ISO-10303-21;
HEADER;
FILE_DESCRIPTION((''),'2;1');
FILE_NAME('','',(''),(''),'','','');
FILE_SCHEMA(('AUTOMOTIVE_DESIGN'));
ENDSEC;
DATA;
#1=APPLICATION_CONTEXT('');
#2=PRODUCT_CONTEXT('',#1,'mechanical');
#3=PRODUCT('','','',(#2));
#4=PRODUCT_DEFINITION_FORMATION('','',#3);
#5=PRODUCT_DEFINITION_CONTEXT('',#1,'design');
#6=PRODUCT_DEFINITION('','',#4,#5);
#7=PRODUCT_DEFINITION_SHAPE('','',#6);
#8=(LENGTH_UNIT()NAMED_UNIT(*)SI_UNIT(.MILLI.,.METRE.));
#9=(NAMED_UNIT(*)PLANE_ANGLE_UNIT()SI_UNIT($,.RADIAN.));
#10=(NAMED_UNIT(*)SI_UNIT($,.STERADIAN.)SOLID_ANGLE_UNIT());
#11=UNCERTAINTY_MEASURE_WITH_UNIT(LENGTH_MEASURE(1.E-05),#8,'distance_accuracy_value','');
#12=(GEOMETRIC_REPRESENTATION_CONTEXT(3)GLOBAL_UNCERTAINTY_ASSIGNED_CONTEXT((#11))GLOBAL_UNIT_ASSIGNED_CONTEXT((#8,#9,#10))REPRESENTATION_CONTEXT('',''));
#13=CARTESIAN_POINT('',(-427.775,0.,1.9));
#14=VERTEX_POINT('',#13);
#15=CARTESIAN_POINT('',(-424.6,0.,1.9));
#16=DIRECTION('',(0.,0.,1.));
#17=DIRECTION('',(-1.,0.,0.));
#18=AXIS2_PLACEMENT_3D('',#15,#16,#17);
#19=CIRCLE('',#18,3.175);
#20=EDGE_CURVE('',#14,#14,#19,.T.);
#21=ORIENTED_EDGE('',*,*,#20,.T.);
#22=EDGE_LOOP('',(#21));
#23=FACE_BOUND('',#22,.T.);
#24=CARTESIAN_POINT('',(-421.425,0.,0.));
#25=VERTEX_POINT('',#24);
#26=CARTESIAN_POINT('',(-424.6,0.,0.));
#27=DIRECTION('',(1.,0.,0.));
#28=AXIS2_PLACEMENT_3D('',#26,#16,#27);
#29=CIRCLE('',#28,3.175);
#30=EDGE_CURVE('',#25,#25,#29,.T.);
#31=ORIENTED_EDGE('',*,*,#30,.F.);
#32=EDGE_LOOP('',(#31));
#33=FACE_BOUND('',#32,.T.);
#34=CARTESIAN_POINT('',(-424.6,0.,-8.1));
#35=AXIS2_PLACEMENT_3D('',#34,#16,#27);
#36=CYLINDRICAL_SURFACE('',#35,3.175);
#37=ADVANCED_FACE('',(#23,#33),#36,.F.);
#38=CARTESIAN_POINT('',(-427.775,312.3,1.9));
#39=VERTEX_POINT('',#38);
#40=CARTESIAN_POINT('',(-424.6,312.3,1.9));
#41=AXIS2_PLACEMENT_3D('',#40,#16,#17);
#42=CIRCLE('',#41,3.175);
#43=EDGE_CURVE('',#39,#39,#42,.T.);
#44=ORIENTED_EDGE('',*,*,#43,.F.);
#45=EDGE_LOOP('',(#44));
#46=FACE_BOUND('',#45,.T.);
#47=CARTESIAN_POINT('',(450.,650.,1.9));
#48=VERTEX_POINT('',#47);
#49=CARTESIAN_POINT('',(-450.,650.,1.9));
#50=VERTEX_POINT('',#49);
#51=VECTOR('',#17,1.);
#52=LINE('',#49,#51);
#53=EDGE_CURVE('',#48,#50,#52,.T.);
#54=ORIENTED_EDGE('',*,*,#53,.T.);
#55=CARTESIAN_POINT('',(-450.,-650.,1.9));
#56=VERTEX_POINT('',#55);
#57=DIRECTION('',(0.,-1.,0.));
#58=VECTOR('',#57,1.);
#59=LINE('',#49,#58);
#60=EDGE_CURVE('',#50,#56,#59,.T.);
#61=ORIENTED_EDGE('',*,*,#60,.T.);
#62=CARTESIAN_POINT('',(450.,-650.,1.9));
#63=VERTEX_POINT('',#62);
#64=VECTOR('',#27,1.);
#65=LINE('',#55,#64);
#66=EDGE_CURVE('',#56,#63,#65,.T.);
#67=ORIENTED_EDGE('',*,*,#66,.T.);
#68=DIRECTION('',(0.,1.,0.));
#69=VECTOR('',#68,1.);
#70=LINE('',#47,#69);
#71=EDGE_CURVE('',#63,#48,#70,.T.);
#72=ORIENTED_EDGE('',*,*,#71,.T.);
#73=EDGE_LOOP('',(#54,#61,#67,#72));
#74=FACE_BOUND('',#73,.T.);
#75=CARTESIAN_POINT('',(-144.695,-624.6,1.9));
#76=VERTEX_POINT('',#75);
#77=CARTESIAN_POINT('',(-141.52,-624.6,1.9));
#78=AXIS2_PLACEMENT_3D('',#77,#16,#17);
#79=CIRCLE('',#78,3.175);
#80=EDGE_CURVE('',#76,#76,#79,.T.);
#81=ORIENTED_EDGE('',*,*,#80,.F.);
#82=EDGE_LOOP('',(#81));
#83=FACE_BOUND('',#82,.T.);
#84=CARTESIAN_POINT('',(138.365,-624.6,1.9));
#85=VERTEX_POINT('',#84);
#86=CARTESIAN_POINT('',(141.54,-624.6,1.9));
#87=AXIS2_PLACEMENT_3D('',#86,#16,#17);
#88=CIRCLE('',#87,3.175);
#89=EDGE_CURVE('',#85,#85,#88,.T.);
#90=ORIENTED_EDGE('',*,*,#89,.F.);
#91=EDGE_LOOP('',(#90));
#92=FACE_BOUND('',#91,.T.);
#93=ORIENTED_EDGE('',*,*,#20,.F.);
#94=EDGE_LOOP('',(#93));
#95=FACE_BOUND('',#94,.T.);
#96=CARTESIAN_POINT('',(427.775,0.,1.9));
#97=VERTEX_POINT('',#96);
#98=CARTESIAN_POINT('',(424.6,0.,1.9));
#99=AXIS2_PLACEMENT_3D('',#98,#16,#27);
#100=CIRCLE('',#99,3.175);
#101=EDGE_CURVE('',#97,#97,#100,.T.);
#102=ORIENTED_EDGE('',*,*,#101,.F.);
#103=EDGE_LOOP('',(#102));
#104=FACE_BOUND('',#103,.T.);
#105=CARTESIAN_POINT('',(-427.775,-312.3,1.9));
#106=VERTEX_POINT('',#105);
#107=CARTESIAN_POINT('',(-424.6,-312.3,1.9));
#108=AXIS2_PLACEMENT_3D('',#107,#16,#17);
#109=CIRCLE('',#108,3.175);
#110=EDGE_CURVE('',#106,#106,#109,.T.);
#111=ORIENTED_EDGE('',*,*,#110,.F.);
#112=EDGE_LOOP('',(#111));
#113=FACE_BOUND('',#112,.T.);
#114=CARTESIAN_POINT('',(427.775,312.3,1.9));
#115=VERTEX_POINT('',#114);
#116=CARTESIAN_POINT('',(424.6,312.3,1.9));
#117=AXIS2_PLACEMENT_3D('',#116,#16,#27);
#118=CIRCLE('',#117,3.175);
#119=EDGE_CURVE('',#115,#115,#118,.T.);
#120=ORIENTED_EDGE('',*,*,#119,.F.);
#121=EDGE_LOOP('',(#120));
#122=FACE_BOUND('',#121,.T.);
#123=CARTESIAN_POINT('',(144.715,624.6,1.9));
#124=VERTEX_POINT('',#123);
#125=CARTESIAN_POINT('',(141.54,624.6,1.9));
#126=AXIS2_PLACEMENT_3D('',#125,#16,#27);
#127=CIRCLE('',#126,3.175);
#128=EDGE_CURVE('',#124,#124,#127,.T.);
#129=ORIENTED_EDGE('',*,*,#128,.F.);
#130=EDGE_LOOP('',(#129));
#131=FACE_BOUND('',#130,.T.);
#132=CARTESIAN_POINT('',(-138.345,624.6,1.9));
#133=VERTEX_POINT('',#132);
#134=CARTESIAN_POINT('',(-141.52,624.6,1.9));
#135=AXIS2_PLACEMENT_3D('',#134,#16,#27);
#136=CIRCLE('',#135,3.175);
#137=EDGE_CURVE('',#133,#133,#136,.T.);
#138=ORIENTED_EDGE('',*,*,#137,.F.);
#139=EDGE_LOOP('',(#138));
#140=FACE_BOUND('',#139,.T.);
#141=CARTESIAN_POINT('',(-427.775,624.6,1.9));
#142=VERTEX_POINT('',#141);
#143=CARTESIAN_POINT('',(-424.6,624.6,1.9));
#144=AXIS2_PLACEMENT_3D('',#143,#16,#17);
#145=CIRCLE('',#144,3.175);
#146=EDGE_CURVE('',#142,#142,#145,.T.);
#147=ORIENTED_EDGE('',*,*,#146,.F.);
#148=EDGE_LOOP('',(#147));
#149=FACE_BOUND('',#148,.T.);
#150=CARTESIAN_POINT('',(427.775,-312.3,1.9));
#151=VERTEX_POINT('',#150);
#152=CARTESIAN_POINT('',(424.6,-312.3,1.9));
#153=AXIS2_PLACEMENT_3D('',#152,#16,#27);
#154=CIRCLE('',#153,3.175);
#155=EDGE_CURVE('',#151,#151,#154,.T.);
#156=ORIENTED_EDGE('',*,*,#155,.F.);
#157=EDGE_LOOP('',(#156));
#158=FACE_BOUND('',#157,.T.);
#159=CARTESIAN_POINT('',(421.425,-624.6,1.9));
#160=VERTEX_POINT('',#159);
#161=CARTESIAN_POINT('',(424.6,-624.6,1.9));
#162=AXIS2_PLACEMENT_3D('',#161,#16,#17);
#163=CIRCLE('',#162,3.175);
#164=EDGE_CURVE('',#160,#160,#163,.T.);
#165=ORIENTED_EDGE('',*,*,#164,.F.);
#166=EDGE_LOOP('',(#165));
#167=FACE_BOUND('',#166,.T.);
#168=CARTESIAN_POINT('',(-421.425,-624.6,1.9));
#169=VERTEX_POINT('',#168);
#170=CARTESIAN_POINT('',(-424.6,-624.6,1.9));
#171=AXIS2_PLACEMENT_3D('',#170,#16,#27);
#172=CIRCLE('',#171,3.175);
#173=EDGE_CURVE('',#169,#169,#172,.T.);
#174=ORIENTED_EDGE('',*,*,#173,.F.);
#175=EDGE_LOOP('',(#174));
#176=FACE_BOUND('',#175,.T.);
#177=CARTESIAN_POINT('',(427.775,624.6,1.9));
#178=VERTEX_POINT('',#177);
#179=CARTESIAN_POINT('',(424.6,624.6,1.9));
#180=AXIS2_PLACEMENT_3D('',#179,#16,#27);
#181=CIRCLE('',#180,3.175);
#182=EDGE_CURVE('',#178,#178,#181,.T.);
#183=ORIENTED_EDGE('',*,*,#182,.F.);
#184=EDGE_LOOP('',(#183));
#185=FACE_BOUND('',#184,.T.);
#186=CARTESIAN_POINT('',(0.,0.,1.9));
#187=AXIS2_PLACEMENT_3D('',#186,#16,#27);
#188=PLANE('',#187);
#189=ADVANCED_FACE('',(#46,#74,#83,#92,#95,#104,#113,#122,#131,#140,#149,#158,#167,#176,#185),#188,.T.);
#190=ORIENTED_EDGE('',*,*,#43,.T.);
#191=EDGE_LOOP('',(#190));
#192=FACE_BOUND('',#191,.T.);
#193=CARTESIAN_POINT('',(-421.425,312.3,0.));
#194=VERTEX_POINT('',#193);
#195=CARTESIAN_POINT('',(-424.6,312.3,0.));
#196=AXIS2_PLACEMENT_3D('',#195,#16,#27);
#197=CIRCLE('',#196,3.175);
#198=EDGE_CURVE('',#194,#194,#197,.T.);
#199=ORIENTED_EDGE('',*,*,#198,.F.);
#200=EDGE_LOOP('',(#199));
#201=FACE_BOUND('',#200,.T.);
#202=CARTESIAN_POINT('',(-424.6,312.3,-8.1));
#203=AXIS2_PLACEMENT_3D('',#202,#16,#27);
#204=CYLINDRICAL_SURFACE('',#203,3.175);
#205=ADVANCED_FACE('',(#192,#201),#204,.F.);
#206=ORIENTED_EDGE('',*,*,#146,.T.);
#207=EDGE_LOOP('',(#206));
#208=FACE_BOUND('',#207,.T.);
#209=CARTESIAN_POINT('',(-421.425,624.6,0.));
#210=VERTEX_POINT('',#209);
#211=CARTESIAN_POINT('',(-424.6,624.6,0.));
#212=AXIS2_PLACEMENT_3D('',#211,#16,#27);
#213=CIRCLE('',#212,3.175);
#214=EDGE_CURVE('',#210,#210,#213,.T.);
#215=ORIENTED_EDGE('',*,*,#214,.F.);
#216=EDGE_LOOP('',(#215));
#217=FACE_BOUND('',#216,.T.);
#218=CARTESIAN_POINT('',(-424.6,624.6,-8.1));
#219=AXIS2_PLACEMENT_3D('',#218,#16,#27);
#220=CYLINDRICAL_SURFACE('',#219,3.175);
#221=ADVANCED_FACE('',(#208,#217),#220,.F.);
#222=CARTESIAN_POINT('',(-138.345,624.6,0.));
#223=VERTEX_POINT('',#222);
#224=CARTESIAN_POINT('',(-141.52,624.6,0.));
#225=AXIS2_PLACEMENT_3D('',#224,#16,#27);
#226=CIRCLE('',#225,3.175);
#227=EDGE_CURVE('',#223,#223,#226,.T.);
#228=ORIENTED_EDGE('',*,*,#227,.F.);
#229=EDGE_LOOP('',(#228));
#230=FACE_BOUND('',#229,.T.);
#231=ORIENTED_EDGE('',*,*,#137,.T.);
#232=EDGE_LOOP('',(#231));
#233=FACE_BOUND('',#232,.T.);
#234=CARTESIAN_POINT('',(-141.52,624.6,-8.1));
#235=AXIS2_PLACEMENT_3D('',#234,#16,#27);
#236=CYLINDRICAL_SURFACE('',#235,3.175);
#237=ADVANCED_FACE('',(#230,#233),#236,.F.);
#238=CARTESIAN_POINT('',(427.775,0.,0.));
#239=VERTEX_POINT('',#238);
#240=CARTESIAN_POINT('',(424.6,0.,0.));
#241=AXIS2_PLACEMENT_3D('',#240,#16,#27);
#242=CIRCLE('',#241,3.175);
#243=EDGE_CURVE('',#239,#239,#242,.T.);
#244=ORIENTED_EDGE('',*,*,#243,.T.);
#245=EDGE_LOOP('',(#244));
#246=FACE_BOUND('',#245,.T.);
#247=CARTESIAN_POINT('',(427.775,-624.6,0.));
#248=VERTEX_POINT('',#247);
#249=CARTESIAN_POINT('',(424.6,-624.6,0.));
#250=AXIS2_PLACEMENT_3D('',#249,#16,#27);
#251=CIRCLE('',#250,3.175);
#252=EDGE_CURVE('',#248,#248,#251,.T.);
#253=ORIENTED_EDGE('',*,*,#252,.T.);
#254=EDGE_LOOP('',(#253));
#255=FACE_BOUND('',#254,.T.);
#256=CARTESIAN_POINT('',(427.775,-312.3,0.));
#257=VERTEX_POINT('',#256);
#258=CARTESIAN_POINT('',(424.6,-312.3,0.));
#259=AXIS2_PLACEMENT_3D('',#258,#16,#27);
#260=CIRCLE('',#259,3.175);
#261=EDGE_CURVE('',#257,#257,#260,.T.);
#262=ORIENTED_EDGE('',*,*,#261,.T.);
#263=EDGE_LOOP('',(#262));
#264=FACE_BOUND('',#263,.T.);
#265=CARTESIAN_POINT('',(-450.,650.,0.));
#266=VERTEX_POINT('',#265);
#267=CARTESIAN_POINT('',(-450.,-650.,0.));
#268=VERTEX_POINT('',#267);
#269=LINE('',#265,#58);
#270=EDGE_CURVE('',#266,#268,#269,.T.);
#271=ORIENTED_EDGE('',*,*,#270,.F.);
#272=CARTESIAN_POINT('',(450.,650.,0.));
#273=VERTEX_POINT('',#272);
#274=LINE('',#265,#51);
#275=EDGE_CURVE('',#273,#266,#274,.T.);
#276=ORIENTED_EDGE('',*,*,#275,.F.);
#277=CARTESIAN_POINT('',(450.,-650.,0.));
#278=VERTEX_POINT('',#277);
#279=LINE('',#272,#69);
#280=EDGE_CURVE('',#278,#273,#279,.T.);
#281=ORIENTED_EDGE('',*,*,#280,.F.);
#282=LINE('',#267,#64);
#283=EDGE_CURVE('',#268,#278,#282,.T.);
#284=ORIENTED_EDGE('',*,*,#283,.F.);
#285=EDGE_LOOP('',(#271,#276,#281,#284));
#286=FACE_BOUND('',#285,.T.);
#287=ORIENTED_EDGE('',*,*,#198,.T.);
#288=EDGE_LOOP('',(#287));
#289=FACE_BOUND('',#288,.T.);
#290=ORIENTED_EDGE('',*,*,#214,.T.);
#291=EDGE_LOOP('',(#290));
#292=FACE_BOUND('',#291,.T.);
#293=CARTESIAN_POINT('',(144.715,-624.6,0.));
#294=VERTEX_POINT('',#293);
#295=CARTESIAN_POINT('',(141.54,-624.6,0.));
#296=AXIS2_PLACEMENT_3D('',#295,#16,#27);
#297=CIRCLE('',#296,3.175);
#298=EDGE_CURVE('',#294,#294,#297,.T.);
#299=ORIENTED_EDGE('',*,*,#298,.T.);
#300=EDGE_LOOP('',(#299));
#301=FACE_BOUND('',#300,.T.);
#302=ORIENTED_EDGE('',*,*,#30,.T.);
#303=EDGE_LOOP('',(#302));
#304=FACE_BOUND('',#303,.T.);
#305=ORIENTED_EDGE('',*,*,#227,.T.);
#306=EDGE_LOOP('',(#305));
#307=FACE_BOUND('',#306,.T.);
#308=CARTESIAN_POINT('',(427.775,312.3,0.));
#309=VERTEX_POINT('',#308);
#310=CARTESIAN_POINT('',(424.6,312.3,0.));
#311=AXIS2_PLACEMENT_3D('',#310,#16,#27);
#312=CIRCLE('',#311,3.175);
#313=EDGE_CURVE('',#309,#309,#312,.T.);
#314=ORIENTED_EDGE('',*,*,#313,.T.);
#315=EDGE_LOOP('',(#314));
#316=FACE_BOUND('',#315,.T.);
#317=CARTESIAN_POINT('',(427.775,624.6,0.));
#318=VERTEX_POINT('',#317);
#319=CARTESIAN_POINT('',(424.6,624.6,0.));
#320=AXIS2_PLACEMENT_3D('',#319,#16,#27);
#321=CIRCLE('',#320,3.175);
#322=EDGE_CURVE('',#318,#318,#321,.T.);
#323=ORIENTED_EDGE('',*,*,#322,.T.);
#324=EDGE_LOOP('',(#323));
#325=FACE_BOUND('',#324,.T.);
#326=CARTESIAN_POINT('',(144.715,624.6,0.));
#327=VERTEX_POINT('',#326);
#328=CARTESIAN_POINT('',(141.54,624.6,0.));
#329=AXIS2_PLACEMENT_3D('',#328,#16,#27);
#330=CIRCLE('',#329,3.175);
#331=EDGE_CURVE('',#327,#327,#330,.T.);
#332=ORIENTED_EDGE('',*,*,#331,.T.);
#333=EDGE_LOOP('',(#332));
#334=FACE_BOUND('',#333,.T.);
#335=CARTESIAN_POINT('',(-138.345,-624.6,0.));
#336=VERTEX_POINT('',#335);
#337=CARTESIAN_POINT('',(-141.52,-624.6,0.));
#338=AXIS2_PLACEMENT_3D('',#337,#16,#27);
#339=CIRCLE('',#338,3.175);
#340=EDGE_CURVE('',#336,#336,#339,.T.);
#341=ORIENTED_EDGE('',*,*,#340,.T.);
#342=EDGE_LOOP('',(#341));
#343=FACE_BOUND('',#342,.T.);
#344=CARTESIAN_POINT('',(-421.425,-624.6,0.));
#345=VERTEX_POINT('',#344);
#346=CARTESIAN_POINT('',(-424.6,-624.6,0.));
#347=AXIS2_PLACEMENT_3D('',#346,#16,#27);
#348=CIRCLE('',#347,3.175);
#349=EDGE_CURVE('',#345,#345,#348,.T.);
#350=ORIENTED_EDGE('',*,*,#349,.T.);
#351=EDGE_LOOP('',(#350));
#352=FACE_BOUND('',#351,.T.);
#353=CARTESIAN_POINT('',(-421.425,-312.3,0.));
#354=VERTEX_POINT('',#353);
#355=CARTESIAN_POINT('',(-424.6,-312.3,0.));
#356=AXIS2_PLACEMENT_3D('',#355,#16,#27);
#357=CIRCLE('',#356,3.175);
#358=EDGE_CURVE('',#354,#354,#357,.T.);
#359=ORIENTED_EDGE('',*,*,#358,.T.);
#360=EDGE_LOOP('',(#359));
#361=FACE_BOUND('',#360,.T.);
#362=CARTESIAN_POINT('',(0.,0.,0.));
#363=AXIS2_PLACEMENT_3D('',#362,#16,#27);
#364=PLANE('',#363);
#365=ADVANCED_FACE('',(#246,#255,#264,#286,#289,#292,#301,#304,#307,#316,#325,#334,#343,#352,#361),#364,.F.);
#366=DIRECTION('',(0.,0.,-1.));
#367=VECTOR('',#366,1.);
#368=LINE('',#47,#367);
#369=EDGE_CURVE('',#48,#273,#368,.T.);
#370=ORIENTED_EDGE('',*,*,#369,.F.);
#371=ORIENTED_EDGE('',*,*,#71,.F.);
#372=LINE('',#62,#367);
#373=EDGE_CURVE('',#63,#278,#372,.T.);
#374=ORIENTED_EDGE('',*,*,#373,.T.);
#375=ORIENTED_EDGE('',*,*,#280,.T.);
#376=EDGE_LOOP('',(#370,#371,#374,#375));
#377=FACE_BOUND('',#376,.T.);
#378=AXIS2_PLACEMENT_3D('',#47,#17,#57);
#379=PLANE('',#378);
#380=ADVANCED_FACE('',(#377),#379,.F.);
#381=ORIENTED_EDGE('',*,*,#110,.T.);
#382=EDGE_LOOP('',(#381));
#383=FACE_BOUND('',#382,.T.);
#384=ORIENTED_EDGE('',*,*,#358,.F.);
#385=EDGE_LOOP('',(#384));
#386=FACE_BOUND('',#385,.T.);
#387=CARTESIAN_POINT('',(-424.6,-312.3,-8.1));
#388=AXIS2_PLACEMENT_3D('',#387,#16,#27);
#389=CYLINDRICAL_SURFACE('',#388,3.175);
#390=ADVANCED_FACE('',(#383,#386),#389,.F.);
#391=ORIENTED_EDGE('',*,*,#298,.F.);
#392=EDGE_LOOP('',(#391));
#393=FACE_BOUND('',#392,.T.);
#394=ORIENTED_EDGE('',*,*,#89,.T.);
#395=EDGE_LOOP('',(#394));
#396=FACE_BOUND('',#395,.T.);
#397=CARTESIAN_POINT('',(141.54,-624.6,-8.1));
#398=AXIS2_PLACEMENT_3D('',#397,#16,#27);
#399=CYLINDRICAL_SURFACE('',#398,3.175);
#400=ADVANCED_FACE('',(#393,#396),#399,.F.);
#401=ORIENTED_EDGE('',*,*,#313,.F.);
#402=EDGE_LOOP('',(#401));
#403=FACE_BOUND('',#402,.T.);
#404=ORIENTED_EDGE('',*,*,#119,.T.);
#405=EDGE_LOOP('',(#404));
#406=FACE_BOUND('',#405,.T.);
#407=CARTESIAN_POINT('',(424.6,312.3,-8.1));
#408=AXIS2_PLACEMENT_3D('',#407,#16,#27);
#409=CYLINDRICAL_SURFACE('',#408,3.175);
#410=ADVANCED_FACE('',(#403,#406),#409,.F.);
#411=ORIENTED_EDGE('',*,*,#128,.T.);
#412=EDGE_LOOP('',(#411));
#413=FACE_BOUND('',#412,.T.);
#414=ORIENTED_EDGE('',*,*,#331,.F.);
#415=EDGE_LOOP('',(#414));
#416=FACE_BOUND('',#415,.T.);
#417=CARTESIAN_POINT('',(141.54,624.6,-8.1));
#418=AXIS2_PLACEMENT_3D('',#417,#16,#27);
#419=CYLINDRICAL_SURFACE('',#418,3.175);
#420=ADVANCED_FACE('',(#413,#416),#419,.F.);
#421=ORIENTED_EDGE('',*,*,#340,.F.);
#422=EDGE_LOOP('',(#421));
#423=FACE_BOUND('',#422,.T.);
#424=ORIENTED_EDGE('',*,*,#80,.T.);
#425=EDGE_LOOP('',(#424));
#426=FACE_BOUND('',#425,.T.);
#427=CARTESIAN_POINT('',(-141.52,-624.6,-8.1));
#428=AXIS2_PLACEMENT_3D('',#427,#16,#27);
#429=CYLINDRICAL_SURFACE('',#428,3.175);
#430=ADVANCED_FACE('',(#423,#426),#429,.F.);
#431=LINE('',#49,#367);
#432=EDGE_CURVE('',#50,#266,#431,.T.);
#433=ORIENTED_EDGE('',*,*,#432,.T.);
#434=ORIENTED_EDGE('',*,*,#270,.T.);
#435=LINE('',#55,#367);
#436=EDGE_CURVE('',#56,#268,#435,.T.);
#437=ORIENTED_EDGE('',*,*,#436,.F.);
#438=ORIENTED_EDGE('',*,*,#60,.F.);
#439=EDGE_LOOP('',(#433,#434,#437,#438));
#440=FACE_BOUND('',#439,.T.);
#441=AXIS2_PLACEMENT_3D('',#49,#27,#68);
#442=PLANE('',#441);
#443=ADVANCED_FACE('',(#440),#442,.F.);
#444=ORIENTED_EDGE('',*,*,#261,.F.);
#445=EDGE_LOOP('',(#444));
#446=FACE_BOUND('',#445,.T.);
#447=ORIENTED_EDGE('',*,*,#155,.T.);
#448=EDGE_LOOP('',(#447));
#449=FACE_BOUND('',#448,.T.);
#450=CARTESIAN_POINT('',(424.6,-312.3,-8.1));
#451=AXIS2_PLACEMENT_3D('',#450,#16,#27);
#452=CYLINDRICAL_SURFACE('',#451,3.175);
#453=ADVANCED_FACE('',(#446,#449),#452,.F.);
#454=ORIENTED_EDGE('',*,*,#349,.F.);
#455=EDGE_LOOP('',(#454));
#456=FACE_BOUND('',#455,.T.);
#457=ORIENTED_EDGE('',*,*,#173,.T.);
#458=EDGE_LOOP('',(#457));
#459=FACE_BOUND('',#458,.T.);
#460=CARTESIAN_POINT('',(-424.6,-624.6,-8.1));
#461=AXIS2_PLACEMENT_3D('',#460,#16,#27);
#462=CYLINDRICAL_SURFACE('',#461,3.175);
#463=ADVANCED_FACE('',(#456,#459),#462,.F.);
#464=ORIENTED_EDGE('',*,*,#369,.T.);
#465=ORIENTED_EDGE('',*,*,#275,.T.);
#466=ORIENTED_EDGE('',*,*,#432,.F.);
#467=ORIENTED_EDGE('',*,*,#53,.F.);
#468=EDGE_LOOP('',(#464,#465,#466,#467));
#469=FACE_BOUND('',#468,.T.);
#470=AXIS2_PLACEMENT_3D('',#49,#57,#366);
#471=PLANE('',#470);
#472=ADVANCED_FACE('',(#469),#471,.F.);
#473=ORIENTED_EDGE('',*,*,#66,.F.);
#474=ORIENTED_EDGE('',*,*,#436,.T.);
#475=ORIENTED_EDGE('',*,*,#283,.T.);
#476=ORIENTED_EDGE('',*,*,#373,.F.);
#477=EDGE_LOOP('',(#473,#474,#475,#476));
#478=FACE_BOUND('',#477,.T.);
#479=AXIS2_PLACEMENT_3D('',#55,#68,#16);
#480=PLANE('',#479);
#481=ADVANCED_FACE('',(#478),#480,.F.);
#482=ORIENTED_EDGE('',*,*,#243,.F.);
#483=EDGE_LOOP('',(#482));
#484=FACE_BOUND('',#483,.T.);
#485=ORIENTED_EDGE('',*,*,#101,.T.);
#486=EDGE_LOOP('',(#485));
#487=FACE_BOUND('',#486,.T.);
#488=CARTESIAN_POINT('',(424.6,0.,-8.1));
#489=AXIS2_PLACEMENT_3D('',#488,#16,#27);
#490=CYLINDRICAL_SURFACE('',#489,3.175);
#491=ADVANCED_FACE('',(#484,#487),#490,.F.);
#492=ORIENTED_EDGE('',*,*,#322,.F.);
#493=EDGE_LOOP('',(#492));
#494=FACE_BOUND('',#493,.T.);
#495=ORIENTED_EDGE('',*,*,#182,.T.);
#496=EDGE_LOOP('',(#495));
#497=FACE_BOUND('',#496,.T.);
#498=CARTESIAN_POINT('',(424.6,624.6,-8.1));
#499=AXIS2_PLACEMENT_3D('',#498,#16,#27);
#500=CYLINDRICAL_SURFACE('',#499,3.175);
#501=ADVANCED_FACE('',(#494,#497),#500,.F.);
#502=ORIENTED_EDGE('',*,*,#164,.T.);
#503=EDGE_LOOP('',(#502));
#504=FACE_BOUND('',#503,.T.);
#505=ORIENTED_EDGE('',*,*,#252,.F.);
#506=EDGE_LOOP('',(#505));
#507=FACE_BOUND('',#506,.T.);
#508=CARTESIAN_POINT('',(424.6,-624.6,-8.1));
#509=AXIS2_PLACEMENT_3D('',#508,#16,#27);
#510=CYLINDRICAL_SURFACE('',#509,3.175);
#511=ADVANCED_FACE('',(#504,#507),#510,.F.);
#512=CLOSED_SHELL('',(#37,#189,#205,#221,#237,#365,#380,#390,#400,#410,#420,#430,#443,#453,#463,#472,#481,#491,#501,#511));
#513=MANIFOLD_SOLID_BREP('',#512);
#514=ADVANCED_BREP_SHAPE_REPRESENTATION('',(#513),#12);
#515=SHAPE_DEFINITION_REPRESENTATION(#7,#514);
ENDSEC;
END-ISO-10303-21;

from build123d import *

# Parameters (mm, degrees)
CROQUIS1_W              = 900
CROQUIS1_H              = 1300
SALIENTE_EXTRUIR1_DEPTH = 1.9
CROQUIS2_R              = 3.175
CORTAR_EXTRUIR1_DEPTH   = 10


with BuildPart() as part:
    # Croquis1 → Saliente-Extruir1 (new body)
    with BuildSketch(Plane.XY):
        Rectangle(CROQUIS1_W, CROQUIS1_H)
    extrude(amount=SALIENTE_EXTRUIR1_DEPTH)

    # Croquis2 → Cortar-Extruir1 (cut)
    with BuildSketch(Plane.XY.offset(1.9)):
        with Locations((424.6, 624.6)):
            Circle(CROQUIS2_R)
        with Locations((424.6, -624.6)):
            Circle(CROQUIS2_R)
        with Locations((-424.6, -624.6)):
            Circle(CROQUIS2_R)
        with Locations((-424.6, 624.6)):
            Circle(CROQUIS2_R)
        with Locations((141.54, 624.6)):
            Circle(CROQUIS2_R)
        with Locations((-141.52, 624.6)):
            Circle(CROQUIS2_R)
        with Locations((-141.52, -624.6)):
            Circle(CROQUIS2_R)
        with Locations((141.54, -624.6)):
            Circle(CROQUIS2_R)
        with Locations((424.6, 0)):
            Circle(CROQUIS2_R)
        with Locations((424.6, 312.3)):
            Circle(CROQUIS2_R)
        with Locations((424.6, -312.3)):
            Circle(CROQUIS2_R)
        with Locations((-424.6, -312.3)):
            Circle(CROQUIS2_R)
        with Locations((-424.6, 0)):
            Circle(CROQUIS2_R)
        with Locations((-424.6, 312.3)):
            Circle(CROQUIS2_R)
    extrude(amount=-CORTAR_EXTRUIR1_DEPTH, mode=Mode.SUBTRACT)


solid = part.part
